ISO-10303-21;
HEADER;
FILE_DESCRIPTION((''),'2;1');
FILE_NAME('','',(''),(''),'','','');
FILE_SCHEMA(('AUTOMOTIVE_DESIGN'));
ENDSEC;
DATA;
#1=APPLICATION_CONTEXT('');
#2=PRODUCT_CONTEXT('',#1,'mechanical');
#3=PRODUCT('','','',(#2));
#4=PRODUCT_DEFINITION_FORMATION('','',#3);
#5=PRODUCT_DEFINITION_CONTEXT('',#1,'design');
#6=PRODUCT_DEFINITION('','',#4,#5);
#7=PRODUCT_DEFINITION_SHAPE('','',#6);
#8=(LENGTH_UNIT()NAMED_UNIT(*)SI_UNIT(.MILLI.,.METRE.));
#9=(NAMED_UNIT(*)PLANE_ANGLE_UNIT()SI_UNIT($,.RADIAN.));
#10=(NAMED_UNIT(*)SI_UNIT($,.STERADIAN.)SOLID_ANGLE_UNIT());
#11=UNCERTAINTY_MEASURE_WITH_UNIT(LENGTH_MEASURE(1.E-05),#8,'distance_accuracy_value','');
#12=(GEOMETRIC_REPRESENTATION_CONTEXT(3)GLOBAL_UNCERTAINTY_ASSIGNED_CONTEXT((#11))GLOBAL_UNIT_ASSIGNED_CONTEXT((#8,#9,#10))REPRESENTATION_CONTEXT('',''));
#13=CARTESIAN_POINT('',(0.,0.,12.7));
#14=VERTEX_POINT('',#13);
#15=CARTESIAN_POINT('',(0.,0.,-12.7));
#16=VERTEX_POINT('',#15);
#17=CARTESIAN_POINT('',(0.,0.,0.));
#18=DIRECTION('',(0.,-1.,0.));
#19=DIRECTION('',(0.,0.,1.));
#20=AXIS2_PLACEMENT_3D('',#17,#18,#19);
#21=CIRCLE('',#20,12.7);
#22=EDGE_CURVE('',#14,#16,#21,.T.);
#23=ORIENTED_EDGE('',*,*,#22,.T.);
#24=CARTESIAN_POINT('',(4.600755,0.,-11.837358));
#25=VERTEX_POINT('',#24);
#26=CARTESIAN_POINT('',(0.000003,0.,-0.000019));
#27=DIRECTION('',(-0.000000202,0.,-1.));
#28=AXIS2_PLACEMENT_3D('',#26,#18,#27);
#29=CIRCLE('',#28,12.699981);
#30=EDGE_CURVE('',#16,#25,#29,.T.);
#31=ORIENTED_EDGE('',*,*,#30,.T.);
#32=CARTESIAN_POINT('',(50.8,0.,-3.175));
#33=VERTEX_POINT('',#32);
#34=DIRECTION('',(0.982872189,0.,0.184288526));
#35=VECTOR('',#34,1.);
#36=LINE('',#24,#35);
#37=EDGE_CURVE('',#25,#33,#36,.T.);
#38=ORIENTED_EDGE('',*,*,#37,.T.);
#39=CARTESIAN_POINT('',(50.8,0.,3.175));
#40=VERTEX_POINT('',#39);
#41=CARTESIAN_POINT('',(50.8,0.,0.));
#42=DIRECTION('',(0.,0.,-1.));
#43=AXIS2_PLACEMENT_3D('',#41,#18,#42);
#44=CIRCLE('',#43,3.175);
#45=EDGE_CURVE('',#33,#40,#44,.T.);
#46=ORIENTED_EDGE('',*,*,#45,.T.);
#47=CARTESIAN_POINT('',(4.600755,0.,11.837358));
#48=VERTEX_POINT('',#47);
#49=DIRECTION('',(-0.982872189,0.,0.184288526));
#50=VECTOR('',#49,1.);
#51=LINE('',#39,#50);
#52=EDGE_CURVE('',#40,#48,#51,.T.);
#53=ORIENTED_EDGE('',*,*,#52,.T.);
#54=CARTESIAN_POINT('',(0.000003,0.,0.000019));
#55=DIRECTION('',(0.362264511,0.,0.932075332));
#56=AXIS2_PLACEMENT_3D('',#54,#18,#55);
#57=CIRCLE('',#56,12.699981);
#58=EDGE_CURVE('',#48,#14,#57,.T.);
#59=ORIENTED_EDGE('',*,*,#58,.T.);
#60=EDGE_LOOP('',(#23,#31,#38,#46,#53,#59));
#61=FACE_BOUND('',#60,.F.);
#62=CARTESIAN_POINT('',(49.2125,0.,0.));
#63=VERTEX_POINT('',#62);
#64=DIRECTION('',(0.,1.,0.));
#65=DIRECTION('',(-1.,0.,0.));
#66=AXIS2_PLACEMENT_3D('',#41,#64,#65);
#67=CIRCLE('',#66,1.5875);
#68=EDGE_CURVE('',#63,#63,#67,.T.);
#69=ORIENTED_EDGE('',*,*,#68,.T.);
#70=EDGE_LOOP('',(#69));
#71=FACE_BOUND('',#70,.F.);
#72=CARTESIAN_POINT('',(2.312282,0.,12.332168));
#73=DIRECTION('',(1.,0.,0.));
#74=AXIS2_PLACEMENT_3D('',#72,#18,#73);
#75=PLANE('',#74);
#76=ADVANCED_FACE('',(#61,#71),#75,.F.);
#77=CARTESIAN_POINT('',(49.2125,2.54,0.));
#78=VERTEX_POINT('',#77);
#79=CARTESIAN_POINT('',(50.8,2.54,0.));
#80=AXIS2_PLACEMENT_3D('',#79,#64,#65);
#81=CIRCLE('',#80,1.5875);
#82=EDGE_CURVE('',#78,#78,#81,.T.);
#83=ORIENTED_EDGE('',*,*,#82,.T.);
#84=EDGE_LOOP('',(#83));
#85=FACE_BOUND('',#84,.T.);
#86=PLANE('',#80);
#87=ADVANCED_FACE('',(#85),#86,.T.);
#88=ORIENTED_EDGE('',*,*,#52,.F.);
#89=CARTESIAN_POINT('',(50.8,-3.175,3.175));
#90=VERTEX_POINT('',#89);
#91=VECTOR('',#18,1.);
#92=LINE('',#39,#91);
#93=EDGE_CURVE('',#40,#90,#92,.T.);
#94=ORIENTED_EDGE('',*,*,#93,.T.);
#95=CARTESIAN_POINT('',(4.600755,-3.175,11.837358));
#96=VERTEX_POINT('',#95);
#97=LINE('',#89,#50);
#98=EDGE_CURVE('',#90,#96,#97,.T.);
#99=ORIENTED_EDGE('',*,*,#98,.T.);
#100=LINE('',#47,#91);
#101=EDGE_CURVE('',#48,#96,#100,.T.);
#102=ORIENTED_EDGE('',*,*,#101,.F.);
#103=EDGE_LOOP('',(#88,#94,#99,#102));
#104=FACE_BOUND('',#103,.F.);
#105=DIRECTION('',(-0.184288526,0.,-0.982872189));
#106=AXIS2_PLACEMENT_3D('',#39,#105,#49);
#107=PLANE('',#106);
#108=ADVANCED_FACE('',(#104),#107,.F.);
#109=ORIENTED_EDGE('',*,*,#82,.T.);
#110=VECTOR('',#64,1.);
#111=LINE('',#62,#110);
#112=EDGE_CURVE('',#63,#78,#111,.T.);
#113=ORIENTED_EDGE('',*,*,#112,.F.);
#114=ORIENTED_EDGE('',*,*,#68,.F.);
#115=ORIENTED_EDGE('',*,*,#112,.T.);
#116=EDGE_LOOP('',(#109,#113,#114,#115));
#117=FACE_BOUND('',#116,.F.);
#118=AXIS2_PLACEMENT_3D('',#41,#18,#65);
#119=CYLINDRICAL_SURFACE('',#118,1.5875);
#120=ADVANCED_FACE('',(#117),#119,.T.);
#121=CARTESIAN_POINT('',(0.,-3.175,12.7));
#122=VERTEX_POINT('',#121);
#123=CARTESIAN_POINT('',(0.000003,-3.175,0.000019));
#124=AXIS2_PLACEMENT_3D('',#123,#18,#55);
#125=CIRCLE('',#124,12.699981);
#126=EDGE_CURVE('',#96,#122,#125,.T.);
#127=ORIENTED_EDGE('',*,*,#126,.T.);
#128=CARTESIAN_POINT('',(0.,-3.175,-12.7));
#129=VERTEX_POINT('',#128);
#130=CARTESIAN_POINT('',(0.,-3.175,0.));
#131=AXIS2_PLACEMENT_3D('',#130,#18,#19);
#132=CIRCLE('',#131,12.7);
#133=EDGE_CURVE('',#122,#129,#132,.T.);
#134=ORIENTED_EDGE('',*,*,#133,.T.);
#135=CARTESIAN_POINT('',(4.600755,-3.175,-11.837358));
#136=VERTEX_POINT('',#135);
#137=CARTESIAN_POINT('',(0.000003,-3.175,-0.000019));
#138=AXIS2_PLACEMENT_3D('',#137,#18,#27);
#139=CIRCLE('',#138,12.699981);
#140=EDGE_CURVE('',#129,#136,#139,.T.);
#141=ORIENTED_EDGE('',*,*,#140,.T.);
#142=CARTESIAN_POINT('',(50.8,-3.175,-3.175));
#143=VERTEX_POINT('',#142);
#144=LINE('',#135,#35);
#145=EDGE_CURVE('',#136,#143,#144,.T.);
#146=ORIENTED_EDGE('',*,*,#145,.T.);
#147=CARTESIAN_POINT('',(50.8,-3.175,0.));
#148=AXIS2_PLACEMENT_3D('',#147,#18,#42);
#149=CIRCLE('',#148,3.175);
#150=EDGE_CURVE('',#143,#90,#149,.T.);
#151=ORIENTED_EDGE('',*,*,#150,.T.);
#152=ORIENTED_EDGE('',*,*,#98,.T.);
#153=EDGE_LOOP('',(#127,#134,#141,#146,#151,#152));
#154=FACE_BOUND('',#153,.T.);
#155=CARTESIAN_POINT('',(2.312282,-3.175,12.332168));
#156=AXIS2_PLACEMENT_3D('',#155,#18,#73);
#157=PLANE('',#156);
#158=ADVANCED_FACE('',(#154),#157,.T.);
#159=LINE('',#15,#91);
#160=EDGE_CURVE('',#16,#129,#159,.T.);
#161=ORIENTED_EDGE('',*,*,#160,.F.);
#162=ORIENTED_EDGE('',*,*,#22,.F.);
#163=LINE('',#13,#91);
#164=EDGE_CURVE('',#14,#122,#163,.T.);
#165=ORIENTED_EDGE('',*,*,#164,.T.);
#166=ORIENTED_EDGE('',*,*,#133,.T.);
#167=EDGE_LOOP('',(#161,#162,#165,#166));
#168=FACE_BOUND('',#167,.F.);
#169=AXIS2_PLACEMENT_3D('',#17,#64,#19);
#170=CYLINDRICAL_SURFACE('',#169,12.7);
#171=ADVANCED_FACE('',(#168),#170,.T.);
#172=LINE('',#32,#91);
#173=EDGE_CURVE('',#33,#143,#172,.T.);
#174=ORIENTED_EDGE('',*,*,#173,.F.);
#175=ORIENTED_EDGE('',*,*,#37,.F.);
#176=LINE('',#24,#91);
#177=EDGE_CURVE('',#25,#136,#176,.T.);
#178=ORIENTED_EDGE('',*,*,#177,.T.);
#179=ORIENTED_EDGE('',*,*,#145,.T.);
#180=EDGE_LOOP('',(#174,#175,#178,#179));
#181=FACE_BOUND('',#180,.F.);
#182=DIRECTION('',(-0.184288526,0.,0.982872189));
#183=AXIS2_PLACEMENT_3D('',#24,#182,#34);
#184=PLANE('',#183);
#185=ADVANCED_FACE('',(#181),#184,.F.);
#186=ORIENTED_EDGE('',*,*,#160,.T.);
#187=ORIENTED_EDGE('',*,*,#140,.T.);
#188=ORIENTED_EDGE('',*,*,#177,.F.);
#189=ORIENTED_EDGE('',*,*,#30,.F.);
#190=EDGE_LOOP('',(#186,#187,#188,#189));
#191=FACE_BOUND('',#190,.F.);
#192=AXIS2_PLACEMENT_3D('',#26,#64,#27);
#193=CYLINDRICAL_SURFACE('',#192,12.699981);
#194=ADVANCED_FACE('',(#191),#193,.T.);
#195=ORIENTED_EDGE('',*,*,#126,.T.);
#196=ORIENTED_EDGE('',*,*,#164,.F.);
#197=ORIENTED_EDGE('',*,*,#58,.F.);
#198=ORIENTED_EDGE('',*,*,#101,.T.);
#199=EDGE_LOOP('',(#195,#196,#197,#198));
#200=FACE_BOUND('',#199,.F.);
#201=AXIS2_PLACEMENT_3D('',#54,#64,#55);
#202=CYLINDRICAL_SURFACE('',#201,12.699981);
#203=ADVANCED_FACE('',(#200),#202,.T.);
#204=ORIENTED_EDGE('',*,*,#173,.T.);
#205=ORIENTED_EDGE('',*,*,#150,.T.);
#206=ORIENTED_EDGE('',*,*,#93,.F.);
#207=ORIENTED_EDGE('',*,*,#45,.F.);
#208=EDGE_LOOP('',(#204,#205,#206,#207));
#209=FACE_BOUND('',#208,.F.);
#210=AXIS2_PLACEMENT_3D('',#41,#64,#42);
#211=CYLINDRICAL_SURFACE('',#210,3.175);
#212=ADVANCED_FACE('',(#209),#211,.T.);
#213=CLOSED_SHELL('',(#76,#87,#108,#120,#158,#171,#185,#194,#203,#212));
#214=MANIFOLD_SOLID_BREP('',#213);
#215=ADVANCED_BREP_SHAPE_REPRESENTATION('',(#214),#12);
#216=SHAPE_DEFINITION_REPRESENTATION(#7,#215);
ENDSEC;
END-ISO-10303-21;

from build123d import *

# Parameters (mm, degrees)
F1_DEPTH = 3.175
F2_R     = 1.5875
F3_DEPTH = 2.54


with BuildPart() as f1:
    # F0 (on Front) → F1 (new body)
    with BuildSketch(Plane.XZ):
        with BuildLine():
            Line((0, 12.7), (4.600755, 11.837358))
            ThreePointArc((4.600755, 11.837358), (2.340464, 12.482477), (0, 12.7))
        make_face()
        with BuildLine():
            Line((50.8, 3.175), (4.600755, 11.837358))
            Line((4.600755, 11.837358), (0, 12.7))
            ThreePointArc((0, 12.7), (-12.7, 0), (0, -12.7))
            Line((0, -12.7), (4.600755, -11.837358))
            Line((4.600755, -11.837358), (50.8, -3.175))
            ThreePointArc((50.8, -3.175), (53.975, 0), (50.8, 3.175))
        make_face()
        with BuildLine():
            Line((4.600755, -11.837358), (0, -12.7))
            ThreePointArc((0, -12.7), (2.340464, -12.482477), (4.600755, -11.837358))
        make_face()
    extrude(amount=F1_DEPTH)

    # F2 (on face) → F3 (join)
    with BuildSketch(Plane(origin=(0, 0, 0), x_dir=(-1, 0, 0), z_dir=(0, 1, 0))):
        with Locations((-50.8, 0)):
            Circle(F2_R)
    extrude(amount=F3_DEPTH)


solid = f1.part
